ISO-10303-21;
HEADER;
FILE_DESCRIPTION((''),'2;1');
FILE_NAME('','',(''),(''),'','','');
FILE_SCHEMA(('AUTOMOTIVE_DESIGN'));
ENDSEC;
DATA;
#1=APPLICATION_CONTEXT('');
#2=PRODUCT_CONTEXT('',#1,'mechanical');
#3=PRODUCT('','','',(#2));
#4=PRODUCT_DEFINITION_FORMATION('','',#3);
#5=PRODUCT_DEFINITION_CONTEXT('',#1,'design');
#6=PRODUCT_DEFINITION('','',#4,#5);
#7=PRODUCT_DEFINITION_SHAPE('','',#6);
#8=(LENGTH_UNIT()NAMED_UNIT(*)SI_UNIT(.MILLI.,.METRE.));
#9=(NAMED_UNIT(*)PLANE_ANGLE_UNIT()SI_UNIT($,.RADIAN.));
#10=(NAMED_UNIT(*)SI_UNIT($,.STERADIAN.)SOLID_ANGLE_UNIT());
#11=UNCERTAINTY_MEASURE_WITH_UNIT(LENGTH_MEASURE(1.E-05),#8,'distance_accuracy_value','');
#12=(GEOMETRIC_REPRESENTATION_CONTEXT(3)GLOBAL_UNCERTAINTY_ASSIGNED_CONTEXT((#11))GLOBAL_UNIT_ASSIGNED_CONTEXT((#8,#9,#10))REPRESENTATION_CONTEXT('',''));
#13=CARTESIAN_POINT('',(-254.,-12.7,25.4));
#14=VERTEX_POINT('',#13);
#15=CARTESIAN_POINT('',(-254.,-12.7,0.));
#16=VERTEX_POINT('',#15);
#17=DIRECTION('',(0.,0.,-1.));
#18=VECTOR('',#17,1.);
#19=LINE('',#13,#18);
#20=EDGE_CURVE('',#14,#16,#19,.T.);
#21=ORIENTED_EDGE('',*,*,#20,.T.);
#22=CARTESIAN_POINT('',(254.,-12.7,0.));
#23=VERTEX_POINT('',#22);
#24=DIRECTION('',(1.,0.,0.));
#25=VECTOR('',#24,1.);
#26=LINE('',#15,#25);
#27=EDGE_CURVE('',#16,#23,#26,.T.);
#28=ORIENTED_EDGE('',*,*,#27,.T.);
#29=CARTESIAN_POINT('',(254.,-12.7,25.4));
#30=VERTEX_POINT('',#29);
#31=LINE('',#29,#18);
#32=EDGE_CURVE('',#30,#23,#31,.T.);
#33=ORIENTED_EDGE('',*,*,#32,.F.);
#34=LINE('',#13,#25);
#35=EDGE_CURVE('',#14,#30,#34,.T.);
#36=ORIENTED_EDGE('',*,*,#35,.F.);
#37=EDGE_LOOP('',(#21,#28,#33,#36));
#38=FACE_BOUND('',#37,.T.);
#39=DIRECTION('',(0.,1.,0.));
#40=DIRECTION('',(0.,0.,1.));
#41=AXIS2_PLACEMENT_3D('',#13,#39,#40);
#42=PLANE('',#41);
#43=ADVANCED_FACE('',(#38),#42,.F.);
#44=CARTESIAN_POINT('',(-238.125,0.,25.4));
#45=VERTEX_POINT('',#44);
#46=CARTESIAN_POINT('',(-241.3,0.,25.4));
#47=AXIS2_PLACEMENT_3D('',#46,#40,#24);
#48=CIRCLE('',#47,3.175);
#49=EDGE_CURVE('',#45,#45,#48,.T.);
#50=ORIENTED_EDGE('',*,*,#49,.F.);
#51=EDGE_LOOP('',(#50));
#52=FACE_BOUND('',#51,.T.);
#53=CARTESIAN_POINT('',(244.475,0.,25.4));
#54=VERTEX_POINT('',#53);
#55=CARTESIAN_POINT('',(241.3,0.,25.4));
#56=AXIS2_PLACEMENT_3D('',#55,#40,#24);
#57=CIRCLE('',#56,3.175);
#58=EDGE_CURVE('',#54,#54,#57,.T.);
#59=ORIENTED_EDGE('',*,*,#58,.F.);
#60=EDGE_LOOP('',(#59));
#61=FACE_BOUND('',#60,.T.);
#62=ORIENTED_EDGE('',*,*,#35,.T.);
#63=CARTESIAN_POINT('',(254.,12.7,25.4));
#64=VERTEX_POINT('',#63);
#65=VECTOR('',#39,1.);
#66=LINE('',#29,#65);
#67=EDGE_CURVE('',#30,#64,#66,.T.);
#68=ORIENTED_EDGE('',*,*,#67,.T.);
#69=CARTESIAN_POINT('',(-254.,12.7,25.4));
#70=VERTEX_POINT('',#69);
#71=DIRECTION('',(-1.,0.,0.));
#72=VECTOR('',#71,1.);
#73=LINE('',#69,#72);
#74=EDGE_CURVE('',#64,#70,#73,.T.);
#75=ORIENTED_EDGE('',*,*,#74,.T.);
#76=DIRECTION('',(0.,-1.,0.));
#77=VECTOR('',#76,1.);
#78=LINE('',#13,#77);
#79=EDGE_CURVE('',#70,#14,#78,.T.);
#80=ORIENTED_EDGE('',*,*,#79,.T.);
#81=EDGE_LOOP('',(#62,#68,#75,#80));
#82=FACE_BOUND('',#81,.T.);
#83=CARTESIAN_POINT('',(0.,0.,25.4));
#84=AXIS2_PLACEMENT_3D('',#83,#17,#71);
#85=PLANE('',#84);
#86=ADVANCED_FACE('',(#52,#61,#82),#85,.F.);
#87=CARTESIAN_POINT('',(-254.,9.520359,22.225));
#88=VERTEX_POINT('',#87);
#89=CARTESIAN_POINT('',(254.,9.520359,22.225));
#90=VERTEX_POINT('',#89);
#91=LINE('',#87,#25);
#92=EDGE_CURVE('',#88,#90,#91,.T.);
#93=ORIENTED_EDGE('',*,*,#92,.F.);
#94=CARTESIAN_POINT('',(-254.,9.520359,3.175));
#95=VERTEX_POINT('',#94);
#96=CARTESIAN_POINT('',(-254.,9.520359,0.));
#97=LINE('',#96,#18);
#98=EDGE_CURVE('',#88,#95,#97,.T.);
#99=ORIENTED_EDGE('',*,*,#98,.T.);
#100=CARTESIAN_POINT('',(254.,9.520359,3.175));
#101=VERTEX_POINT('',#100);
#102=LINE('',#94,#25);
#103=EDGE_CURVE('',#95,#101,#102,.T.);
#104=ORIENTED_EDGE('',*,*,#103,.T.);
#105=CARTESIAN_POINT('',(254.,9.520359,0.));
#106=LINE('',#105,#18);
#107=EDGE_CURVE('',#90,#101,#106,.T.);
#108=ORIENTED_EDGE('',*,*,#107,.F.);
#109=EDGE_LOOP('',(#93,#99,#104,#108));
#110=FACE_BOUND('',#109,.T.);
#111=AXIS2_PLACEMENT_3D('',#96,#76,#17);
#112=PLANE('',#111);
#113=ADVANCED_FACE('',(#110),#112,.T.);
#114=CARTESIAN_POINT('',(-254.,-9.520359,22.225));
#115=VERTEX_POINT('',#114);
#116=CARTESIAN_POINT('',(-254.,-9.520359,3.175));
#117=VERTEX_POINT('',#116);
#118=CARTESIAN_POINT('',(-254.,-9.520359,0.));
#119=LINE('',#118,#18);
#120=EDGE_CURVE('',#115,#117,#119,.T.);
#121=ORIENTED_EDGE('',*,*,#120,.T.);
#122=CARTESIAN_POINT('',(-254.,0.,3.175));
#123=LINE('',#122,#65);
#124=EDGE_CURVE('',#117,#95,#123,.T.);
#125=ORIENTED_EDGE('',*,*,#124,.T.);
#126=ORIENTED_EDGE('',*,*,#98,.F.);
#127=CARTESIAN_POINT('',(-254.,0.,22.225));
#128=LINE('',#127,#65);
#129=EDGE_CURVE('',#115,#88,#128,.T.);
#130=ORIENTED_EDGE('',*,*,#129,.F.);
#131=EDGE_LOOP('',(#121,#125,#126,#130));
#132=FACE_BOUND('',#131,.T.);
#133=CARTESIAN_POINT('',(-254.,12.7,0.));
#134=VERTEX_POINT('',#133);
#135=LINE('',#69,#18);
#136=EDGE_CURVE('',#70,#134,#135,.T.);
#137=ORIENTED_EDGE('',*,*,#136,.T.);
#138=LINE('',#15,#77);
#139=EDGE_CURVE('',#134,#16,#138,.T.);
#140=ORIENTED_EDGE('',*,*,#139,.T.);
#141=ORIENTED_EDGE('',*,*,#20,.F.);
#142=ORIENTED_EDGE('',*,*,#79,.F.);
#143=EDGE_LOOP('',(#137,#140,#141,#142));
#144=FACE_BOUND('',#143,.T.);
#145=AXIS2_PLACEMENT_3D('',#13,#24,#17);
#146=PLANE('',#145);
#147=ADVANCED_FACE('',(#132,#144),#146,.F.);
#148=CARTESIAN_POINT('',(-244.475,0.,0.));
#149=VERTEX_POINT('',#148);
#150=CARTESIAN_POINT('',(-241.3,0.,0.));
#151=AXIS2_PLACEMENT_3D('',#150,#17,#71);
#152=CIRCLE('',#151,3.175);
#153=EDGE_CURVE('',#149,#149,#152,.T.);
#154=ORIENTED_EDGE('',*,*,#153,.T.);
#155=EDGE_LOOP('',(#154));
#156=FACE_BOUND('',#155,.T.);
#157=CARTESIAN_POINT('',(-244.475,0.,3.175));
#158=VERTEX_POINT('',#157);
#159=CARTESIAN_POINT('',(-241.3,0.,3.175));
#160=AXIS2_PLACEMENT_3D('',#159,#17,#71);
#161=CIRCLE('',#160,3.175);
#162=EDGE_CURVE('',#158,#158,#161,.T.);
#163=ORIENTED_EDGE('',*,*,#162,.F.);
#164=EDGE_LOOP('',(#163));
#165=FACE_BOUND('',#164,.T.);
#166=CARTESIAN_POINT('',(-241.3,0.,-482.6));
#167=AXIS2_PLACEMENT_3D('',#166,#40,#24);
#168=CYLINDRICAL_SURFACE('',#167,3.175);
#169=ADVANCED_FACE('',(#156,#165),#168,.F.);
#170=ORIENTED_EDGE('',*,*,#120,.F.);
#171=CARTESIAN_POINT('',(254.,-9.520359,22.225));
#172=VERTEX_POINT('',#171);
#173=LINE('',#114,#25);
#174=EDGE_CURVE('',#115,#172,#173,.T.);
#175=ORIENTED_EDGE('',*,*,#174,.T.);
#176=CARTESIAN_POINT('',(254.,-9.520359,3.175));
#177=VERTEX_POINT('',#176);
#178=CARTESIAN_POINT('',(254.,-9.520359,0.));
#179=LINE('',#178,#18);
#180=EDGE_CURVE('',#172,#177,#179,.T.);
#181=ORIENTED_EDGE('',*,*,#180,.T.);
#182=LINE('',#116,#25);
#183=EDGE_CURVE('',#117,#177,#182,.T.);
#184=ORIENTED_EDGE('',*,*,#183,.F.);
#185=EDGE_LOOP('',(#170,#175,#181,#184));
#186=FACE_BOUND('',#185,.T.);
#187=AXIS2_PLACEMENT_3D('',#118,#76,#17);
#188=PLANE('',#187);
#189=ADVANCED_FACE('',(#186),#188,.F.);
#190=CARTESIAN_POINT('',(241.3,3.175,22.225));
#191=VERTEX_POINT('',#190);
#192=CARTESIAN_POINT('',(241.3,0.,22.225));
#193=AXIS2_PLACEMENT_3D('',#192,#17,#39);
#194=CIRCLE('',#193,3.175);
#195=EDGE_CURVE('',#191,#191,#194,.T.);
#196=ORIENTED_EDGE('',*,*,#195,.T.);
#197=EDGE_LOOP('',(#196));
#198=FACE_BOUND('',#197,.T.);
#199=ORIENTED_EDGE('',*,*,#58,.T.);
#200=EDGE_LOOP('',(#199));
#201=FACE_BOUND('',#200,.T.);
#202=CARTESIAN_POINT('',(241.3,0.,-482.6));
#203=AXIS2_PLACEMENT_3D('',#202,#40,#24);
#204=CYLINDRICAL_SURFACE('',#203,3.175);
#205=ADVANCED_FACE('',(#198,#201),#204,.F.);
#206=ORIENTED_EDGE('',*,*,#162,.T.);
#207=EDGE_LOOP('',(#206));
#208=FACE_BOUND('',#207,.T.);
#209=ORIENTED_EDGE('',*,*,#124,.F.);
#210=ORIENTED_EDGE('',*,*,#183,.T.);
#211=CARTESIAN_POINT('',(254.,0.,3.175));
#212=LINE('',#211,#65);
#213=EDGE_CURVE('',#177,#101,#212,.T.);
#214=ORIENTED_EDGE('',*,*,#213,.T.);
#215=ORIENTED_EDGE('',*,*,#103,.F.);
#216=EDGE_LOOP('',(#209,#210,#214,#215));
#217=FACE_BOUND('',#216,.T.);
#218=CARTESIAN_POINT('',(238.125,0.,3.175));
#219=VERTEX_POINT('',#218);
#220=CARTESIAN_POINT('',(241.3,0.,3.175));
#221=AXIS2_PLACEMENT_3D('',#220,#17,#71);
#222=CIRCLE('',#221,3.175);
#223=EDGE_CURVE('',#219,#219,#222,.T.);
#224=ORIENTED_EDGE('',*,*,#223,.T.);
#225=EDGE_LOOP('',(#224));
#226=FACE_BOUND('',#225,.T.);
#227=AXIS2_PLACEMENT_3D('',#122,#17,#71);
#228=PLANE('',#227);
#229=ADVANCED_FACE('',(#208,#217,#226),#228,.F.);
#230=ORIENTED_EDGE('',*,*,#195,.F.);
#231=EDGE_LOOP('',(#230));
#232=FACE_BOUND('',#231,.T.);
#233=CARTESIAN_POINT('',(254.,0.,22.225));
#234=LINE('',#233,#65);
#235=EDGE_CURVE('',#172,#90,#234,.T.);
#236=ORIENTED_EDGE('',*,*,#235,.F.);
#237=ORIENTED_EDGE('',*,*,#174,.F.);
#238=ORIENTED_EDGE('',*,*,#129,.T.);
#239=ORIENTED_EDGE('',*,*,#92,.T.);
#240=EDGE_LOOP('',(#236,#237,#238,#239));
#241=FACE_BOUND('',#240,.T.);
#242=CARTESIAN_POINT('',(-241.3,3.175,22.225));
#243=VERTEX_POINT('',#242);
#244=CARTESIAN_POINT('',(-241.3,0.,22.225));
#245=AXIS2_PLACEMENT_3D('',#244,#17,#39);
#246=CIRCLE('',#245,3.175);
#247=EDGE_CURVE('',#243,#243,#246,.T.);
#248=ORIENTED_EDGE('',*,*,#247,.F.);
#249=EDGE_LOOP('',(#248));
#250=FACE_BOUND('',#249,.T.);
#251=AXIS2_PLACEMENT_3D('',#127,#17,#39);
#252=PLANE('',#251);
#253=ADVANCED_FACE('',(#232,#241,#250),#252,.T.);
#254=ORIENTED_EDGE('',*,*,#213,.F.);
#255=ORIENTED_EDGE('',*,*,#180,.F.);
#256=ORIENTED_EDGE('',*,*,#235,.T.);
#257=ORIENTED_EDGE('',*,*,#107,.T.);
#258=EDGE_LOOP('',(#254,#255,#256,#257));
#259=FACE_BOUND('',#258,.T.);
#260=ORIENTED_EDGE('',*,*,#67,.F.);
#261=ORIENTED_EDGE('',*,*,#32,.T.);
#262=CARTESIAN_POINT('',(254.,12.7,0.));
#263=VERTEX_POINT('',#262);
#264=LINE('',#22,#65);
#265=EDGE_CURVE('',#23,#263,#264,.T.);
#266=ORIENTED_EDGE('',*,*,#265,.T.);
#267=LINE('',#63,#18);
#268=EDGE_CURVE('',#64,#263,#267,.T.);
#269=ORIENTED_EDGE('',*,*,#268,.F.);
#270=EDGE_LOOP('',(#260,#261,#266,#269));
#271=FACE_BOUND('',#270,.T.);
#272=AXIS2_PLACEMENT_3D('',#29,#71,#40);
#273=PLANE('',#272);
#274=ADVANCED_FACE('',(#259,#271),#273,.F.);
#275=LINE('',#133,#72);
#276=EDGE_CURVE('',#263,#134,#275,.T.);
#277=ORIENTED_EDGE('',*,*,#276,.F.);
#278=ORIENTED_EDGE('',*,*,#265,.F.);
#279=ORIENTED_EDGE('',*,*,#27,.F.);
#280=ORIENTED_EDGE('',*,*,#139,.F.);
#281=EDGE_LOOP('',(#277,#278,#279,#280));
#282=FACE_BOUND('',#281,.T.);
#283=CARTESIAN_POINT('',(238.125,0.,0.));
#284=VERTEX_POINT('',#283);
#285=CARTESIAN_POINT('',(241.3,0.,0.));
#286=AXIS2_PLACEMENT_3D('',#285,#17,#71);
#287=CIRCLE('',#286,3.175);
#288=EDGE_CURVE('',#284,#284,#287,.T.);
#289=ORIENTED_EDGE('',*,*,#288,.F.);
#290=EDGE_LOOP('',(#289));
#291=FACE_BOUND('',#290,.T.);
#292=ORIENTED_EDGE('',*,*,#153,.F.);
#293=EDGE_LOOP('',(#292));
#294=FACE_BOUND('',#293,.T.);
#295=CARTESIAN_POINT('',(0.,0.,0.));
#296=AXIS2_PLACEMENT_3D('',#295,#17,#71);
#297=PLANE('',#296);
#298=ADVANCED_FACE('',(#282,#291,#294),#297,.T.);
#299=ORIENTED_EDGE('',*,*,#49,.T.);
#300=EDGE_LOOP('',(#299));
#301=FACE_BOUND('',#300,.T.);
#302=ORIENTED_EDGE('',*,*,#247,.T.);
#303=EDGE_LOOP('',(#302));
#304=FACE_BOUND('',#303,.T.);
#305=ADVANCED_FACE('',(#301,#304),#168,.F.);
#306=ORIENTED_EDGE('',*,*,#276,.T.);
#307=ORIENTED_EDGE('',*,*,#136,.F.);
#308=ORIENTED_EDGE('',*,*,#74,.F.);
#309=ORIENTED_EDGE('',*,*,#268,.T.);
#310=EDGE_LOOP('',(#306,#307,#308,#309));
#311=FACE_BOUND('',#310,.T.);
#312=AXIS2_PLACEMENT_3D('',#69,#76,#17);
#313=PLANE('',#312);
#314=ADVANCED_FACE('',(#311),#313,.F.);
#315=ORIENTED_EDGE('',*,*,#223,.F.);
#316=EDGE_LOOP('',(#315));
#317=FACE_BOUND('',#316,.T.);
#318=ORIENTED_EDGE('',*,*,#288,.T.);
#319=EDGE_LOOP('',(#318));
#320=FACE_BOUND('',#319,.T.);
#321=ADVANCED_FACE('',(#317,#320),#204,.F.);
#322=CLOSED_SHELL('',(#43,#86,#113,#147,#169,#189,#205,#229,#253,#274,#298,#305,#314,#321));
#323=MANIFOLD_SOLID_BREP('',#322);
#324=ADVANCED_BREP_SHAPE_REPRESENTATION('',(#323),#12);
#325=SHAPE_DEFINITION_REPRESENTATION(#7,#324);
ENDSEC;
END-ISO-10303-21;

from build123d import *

# Parameters (mm, degrees)
SKETCH1_W           = 508
SKETCH1_H           = 25.4
BOSS_EXTRUDE1_DEPTH = 25.4
SKETCH2_W           = 9.525
SKETCH2_H           = 19.040717284
CUT_EXTRUDE1_DEPTH  = 508
SKETCH3_R           = 3.175
CUT_EXTRUDE2_DEPTH  = 508


with BuildPart() as part:
    # Sketch1 → Boss-Extrude1 (new body)
    with BuildSketch(Plane.XY):
        Rectangle(SKETCH1_W, SKETCH1_H)
    extrude(amount=BOSS_EXTRUDE1_DEPTH)

    # Sketch2 → Cut-Extrude1 (cut)
    with BuildSketch(Plane(origin=(254, 0, 0), x_dir=(0, 0, -1), z_dir=(1, 0, 0))):
        with Locations((-17.4625, 0)):
            Rectangle(SKETCH2_W, SKETCH2_H)
        with Locations((-7.9375, 0)):
            Rectangle(SKETCH2_W, SKETCH2_H)
    extrude(amount=-CUT_EXTRUDE1_DEPTH, mode=Mode.SUBTRACT)

    # Sketch3 → Cut-Extrude2 (cut)
    with BuildSketch(Plane.XY.offset(25.4)):
        with Locations((241.3, 0)):
            Circle(SKETCH3_R)
        with Locations((-241.3, 0)):
            Circle(SKETCH3_R)
    extrude(amount=-CUT_EXTRUDE2_DEPTH, mode=Mode.SUBTRACT)


solid = part.part
